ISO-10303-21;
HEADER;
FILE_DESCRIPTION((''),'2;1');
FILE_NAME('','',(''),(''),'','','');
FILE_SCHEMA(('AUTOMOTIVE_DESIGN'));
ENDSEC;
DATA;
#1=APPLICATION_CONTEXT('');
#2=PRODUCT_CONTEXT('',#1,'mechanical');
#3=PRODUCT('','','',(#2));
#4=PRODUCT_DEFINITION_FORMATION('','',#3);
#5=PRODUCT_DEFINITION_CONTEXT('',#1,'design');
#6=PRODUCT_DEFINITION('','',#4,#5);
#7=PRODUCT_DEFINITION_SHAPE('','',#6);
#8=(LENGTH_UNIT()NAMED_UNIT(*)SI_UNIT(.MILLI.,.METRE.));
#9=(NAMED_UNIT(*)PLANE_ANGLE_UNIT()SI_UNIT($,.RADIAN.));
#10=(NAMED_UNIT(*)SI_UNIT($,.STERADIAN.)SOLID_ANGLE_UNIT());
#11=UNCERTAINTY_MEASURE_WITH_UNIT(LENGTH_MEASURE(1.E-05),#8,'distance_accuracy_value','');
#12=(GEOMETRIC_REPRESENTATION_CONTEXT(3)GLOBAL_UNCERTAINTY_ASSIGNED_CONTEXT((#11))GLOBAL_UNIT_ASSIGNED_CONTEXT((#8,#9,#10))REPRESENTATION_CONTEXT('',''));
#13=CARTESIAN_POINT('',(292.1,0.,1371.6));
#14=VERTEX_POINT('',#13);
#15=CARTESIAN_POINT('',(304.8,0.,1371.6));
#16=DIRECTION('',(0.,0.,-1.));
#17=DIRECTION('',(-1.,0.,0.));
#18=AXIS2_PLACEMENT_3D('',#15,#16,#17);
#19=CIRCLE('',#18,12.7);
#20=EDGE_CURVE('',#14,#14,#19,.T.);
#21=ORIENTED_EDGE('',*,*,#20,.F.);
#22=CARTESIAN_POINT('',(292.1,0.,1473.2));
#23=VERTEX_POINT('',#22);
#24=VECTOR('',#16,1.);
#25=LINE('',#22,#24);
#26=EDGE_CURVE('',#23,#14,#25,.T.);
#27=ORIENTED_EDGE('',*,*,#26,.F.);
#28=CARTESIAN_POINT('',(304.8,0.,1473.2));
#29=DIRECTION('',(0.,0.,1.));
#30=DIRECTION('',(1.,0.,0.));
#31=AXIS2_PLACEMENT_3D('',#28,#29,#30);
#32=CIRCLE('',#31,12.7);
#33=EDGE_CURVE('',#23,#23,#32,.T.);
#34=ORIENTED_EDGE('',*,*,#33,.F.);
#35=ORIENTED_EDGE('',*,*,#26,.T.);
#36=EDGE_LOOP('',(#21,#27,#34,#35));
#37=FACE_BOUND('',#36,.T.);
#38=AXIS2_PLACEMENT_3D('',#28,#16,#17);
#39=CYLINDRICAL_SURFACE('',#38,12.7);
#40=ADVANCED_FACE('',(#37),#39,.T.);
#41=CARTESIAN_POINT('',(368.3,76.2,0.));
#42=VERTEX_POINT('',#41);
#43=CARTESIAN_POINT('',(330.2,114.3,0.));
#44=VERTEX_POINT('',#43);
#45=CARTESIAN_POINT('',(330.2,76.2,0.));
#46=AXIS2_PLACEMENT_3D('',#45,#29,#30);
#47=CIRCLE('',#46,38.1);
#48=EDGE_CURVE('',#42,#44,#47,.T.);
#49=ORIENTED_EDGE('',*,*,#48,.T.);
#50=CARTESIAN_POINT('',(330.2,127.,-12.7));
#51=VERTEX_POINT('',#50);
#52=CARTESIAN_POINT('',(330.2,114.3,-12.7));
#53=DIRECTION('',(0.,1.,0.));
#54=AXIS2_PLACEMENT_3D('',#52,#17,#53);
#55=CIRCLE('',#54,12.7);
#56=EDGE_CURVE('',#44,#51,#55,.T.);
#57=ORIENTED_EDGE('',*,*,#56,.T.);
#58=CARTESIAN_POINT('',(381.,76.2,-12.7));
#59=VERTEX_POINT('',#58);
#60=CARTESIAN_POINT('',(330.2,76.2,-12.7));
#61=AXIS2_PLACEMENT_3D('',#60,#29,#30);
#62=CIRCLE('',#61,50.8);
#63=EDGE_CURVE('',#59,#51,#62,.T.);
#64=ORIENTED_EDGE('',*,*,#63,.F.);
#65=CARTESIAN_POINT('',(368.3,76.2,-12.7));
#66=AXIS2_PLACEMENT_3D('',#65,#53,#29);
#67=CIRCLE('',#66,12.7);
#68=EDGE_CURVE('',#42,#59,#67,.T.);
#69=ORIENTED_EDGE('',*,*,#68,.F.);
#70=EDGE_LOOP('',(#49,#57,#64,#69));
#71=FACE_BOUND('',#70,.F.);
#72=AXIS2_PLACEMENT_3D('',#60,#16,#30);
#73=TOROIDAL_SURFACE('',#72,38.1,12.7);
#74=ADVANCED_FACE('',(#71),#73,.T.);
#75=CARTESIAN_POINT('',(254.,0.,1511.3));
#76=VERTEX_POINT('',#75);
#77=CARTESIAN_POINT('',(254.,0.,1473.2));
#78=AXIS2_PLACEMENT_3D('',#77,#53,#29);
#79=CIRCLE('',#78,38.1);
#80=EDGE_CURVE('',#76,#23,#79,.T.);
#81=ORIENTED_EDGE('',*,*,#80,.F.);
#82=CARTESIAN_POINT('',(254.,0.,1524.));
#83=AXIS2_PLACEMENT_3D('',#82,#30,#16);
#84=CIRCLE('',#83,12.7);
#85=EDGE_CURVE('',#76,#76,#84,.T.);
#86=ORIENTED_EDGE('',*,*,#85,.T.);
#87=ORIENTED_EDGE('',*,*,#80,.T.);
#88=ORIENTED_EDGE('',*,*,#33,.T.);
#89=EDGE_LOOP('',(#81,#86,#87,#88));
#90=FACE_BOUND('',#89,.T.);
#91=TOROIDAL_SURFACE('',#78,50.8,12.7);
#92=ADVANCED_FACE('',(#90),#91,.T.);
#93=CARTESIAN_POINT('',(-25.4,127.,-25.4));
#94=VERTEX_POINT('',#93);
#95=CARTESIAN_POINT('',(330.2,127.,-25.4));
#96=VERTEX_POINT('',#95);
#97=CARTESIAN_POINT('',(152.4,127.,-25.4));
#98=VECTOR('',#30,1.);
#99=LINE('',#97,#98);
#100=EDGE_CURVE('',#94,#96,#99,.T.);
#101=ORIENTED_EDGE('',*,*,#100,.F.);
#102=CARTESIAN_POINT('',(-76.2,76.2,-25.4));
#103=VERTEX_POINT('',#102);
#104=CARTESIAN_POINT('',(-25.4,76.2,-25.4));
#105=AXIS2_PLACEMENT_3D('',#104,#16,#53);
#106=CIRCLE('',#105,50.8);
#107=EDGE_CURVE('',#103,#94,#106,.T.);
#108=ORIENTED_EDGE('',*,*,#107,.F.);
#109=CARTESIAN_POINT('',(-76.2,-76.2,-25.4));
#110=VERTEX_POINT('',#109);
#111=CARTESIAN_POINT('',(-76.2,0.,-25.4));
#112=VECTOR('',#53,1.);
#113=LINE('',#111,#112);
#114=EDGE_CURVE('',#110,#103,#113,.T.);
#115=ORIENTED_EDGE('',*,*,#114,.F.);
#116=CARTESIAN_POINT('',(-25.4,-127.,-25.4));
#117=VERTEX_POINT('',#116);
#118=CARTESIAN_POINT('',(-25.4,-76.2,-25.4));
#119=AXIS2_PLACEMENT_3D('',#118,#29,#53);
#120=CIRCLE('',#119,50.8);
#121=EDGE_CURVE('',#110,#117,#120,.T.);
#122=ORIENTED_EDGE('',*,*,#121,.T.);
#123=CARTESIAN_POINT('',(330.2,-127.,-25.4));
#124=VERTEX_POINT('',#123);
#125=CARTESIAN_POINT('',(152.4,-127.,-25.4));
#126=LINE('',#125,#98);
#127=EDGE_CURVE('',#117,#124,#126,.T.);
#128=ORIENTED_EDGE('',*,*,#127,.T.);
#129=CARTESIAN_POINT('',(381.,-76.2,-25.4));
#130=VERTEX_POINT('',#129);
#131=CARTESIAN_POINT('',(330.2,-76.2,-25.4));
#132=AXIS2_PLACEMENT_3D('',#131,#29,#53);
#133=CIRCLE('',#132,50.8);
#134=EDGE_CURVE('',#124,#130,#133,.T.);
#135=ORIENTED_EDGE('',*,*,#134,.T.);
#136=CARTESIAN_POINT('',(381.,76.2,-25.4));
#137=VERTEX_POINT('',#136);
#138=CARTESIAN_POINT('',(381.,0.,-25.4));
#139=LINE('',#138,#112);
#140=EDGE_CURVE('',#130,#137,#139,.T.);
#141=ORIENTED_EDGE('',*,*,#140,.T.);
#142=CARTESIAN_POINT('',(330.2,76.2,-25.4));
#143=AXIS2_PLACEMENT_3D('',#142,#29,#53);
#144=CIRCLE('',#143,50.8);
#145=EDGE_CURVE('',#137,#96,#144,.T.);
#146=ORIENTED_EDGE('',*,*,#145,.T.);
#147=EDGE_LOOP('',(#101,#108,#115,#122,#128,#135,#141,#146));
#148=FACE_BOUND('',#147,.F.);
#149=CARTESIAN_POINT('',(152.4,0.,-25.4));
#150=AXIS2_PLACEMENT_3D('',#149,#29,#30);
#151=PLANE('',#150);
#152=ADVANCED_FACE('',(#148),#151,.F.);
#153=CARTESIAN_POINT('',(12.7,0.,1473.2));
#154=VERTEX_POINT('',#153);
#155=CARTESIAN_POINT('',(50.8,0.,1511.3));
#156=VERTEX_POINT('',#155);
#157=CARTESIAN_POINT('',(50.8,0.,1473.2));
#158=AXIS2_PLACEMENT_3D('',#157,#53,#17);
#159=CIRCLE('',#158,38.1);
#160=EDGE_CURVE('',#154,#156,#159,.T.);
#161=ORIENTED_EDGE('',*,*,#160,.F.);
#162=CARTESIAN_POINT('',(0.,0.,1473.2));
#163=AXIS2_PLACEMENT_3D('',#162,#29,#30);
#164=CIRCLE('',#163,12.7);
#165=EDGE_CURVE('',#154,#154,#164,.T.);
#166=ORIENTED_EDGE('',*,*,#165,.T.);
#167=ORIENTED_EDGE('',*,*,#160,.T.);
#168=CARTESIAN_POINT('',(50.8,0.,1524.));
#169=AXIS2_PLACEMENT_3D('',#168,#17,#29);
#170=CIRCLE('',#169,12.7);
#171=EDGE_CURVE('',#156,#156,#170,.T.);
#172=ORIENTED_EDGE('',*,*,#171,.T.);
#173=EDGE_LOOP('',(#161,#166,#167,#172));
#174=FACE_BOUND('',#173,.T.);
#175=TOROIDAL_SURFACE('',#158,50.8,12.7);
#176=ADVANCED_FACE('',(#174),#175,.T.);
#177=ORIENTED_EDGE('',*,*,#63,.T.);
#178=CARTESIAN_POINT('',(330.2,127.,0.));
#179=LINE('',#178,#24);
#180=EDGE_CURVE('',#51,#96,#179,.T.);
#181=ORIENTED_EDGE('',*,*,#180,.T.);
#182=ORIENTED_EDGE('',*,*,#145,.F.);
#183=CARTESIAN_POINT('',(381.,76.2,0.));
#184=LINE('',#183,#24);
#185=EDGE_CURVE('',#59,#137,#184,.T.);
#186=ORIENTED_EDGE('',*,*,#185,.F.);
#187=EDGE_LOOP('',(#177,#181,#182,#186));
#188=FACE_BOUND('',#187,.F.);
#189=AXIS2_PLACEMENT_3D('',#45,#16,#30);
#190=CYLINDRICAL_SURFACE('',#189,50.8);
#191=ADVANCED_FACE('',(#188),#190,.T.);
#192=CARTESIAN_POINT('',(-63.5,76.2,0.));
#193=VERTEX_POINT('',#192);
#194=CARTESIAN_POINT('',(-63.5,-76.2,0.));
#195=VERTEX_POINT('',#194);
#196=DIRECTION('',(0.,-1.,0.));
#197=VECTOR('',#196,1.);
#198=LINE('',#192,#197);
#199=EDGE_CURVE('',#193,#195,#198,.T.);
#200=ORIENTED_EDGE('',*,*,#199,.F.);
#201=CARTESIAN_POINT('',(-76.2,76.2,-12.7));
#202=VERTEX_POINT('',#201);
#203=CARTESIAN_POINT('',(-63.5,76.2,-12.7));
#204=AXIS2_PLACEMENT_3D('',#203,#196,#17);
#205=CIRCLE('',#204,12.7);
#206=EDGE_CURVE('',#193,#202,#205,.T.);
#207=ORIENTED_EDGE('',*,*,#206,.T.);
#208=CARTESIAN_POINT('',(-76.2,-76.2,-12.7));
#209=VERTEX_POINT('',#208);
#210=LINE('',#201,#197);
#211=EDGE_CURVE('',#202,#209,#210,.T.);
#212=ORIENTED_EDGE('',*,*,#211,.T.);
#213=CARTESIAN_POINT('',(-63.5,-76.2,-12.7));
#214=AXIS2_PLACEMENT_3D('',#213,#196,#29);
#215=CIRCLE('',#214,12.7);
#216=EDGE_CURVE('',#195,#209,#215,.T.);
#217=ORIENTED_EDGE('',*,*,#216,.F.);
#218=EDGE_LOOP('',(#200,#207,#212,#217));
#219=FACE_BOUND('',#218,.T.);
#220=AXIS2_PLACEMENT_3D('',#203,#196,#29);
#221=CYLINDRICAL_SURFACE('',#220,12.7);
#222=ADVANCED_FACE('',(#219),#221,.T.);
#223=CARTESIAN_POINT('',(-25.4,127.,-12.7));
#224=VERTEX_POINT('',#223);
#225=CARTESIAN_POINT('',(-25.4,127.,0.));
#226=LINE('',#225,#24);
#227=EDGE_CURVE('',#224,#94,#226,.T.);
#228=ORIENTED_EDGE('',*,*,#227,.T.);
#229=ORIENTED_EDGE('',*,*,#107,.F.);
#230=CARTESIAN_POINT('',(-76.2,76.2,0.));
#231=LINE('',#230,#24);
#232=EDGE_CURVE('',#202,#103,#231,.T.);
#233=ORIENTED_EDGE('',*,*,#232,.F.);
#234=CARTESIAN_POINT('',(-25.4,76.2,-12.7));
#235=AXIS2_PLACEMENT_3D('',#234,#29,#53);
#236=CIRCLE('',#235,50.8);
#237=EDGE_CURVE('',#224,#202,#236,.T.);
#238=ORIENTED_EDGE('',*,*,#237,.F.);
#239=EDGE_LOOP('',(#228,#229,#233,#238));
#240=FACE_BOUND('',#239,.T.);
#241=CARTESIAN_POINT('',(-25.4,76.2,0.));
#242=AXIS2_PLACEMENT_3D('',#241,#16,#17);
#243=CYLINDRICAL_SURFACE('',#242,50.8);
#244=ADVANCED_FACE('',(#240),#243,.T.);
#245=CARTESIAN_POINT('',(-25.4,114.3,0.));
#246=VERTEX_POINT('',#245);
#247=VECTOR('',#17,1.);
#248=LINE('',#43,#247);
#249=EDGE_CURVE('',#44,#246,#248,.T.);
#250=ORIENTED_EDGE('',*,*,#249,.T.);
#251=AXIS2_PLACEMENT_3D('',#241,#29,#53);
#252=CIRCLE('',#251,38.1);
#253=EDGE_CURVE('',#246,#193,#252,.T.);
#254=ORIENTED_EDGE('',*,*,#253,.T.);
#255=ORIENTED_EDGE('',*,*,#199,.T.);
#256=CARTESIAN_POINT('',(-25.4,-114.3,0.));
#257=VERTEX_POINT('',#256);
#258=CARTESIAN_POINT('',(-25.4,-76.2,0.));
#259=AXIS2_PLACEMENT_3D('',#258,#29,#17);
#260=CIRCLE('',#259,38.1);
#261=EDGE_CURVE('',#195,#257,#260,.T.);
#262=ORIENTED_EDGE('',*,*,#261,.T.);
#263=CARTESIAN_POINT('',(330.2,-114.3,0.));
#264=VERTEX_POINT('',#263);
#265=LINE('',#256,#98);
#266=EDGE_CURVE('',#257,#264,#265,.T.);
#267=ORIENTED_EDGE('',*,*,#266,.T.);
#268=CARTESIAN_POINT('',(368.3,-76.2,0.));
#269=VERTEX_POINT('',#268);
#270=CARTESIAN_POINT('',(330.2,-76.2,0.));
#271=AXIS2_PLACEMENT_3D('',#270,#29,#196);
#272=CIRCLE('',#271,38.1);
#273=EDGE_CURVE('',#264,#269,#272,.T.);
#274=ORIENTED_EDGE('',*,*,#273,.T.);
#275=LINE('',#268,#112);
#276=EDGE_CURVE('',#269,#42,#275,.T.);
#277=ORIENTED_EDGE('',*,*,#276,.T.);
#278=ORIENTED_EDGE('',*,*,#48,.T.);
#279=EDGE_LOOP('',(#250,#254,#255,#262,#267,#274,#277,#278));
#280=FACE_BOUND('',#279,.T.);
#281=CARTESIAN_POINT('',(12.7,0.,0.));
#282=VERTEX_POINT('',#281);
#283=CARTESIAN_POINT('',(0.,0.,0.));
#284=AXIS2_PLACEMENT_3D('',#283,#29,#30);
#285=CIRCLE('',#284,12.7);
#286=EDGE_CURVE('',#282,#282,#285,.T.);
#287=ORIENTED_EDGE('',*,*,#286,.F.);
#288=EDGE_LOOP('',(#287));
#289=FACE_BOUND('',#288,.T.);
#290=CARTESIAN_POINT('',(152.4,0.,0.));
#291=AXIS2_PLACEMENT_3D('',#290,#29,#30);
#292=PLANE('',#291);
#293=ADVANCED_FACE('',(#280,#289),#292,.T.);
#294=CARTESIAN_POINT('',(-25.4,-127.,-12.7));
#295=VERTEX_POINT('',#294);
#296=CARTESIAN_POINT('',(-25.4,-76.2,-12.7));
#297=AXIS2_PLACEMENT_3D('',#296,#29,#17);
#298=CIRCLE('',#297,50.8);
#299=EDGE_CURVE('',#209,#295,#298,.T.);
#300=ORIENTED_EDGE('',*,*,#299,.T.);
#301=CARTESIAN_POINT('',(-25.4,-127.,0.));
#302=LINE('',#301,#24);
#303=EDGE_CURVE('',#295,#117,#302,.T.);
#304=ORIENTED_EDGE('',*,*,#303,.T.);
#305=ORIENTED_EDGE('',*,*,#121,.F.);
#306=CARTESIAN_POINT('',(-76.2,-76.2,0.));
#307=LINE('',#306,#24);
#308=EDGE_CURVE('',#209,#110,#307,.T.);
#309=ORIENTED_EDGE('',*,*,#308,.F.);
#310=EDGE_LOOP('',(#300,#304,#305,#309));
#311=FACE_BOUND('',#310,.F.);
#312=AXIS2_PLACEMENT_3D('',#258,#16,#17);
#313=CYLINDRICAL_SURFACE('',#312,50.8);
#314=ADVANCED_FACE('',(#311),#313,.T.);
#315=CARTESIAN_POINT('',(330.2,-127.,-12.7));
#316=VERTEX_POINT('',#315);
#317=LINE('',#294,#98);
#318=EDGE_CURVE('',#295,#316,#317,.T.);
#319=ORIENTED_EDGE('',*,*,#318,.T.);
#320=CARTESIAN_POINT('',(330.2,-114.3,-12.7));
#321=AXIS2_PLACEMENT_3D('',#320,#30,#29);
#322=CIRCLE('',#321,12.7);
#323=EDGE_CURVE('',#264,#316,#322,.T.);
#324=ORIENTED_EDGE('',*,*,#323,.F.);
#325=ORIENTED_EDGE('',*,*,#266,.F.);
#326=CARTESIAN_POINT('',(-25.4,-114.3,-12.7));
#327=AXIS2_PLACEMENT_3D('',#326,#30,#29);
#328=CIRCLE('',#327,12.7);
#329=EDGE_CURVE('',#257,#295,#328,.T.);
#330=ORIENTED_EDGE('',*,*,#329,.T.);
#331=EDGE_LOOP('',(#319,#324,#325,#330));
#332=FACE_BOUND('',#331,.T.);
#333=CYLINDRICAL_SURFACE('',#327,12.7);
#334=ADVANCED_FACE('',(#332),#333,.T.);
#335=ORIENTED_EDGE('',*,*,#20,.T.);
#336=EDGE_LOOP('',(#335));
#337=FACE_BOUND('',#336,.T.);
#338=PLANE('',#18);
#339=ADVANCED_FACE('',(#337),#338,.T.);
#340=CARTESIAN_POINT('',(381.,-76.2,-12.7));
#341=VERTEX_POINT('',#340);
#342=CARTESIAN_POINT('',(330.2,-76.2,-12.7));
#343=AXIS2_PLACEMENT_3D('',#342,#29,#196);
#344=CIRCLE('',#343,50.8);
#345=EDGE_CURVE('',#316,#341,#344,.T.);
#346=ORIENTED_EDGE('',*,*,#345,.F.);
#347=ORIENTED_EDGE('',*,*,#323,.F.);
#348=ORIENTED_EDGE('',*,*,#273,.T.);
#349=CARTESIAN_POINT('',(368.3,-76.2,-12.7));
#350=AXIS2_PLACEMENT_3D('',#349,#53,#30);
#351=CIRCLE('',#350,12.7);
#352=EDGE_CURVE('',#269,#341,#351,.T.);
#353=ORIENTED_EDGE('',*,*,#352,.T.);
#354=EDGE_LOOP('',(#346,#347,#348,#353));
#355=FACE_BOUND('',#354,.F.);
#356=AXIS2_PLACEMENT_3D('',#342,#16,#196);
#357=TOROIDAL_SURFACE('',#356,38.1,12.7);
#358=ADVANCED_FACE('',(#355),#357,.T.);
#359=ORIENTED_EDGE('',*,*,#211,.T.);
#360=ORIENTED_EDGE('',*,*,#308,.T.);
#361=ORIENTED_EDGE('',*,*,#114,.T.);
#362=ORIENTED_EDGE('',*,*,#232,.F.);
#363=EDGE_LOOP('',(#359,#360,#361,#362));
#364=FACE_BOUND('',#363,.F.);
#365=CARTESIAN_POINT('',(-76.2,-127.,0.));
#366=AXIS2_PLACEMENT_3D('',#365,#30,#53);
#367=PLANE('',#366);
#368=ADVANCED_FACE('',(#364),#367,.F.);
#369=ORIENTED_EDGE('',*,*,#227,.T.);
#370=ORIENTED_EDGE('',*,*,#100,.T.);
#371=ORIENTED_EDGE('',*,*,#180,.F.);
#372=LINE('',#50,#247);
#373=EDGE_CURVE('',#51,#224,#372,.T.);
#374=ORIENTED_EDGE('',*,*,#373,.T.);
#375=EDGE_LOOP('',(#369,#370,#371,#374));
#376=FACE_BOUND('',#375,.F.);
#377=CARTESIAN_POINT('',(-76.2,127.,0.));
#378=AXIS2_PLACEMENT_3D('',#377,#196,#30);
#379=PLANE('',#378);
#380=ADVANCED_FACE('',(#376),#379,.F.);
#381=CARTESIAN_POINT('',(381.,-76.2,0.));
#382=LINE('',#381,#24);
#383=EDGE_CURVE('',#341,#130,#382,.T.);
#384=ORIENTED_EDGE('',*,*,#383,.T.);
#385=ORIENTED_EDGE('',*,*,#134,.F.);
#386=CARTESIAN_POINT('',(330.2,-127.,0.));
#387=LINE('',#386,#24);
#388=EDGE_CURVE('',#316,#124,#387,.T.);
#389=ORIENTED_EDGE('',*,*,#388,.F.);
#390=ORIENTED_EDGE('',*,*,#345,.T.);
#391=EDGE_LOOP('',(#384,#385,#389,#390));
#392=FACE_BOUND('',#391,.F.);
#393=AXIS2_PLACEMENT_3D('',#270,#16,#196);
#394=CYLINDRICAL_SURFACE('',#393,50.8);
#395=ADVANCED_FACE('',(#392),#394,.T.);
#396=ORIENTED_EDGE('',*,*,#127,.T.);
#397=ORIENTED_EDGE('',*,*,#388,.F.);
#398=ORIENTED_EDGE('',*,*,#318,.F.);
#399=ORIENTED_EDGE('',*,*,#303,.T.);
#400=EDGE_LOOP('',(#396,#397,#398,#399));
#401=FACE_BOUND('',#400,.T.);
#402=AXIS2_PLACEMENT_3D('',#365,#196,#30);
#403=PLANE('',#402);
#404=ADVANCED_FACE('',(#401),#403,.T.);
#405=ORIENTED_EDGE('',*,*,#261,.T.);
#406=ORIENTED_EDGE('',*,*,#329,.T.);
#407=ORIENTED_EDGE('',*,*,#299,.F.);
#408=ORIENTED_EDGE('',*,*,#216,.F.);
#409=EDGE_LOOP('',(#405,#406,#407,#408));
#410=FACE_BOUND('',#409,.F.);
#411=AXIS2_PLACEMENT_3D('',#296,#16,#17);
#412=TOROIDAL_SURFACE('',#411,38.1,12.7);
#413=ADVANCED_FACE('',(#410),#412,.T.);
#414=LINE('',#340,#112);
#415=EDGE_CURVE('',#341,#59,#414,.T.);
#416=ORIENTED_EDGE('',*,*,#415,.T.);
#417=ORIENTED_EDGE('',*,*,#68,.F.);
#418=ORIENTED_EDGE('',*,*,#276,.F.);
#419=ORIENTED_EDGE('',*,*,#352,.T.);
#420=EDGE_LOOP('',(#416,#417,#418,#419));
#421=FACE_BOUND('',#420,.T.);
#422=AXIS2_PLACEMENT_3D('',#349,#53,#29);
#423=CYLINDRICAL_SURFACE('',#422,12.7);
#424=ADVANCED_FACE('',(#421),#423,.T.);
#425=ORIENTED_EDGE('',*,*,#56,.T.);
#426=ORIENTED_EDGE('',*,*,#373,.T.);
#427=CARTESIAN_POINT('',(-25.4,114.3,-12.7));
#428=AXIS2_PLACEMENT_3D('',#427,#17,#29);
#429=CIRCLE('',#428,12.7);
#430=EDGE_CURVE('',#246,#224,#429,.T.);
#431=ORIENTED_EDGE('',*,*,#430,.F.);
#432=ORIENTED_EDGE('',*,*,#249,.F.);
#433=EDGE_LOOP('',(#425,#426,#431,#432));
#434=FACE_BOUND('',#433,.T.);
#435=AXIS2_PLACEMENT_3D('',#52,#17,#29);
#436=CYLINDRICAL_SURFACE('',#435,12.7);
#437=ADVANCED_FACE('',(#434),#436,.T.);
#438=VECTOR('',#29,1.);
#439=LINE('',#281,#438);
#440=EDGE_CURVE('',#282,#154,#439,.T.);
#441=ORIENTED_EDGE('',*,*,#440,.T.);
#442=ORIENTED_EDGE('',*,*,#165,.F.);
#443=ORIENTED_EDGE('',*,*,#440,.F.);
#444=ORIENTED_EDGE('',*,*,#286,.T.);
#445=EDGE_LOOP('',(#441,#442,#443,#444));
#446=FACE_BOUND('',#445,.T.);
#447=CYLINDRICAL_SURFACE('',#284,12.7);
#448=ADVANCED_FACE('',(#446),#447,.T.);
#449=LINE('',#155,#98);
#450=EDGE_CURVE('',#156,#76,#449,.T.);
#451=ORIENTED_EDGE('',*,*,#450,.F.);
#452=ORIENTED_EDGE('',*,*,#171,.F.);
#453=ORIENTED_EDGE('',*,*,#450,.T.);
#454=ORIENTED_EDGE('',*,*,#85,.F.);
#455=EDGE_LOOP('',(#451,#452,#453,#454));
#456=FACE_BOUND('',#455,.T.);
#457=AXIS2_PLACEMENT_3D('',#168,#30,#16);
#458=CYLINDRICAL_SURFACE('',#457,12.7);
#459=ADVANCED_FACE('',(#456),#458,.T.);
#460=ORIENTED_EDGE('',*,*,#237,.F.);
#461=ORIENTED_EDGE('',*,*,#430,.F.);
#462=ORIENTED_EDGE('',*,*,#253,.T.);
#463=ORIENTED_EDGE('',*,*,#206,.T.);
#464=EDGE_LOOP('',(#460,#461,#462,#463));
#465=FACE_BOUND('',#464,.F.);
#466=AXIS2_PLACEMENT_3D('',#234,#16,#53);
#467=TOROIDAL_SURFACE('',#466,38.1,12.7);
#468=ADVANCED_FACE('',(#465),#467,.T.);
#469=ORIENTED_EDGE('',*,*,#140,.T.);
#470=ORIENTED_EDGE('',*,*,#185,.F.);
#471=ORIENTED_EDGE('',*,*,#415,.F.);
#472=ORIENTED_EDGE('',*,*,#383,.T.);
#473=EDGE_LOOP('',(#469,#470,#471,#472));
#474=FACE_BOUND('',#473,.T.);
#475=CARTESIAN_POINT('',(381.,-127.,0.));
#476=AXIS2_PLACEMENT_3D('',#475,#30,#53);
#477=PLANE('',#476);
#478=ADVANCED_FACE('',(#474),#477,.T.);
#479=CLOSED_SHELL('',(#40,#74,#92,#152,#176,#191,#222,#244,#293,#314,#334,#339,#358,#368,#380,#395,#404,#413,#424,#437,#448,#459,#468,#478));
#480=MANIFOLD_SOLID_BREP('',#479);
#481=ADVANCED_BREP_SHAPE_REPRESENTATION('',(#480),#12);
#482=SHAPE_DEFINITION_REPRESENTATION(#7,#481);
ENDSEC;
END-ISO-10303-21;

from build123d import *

# Parameters (mm, degrees)
F0_W     = 457.2
F0_H     = 254
F1_DEPTH = 25.4
F2_R     = 50.8
F3_R     = 12.7
F4_R     = 12.7


with BuildPart() as f1:
    # F0 (on Top) → F1 (new body)
    with BuildSketch(Plane.XY):
        with Locations((152.4, 0)):
            Rectangle(F0_W, F0_H)
    extrude(amount=-F1_DEPTH)

    # F2
    f2_edges = [f1.edges().sort_by_distance(p)[0] for p in [
        (-76.2, -127, -12.7),
        (381, -127, -12.7),
        (381, 127, -12.7),
        (-76.2, 127, -12.7),
    ]]
    fillet(f2_edges, radius=F2_R)

    # F3
    f3_edges = [f1.edges().sort_by_distance(p)[0] for p in [
        (152.4, -127, 0),
    ]]
    fillet(f3_edges, radius=F3_R)

    # F6: sweep along a path in F5
    with BuildLine(Plane.XZ) as f6_path:
        Line((0, 0), (0, 1473.2))
        ThreePointArc((0, 1473.2), (14.8789755157, 1509.1210244843), (50.8, 1524))
        Line((50.8, 1524), (254, 1524))
        ThreePointArc((254, 1524), (289.9210244843, 1509.1210244843), (304.8, 1473.2))
        Line((304.8, 1473.2), (304.8, 1371.6))
    # F4 (on face) → F6 (sweep)
    with BuildSketch(Plane.XY):
        Circle(F4_R)
    sweep(path=f6_path.line)


solid = f1.part
